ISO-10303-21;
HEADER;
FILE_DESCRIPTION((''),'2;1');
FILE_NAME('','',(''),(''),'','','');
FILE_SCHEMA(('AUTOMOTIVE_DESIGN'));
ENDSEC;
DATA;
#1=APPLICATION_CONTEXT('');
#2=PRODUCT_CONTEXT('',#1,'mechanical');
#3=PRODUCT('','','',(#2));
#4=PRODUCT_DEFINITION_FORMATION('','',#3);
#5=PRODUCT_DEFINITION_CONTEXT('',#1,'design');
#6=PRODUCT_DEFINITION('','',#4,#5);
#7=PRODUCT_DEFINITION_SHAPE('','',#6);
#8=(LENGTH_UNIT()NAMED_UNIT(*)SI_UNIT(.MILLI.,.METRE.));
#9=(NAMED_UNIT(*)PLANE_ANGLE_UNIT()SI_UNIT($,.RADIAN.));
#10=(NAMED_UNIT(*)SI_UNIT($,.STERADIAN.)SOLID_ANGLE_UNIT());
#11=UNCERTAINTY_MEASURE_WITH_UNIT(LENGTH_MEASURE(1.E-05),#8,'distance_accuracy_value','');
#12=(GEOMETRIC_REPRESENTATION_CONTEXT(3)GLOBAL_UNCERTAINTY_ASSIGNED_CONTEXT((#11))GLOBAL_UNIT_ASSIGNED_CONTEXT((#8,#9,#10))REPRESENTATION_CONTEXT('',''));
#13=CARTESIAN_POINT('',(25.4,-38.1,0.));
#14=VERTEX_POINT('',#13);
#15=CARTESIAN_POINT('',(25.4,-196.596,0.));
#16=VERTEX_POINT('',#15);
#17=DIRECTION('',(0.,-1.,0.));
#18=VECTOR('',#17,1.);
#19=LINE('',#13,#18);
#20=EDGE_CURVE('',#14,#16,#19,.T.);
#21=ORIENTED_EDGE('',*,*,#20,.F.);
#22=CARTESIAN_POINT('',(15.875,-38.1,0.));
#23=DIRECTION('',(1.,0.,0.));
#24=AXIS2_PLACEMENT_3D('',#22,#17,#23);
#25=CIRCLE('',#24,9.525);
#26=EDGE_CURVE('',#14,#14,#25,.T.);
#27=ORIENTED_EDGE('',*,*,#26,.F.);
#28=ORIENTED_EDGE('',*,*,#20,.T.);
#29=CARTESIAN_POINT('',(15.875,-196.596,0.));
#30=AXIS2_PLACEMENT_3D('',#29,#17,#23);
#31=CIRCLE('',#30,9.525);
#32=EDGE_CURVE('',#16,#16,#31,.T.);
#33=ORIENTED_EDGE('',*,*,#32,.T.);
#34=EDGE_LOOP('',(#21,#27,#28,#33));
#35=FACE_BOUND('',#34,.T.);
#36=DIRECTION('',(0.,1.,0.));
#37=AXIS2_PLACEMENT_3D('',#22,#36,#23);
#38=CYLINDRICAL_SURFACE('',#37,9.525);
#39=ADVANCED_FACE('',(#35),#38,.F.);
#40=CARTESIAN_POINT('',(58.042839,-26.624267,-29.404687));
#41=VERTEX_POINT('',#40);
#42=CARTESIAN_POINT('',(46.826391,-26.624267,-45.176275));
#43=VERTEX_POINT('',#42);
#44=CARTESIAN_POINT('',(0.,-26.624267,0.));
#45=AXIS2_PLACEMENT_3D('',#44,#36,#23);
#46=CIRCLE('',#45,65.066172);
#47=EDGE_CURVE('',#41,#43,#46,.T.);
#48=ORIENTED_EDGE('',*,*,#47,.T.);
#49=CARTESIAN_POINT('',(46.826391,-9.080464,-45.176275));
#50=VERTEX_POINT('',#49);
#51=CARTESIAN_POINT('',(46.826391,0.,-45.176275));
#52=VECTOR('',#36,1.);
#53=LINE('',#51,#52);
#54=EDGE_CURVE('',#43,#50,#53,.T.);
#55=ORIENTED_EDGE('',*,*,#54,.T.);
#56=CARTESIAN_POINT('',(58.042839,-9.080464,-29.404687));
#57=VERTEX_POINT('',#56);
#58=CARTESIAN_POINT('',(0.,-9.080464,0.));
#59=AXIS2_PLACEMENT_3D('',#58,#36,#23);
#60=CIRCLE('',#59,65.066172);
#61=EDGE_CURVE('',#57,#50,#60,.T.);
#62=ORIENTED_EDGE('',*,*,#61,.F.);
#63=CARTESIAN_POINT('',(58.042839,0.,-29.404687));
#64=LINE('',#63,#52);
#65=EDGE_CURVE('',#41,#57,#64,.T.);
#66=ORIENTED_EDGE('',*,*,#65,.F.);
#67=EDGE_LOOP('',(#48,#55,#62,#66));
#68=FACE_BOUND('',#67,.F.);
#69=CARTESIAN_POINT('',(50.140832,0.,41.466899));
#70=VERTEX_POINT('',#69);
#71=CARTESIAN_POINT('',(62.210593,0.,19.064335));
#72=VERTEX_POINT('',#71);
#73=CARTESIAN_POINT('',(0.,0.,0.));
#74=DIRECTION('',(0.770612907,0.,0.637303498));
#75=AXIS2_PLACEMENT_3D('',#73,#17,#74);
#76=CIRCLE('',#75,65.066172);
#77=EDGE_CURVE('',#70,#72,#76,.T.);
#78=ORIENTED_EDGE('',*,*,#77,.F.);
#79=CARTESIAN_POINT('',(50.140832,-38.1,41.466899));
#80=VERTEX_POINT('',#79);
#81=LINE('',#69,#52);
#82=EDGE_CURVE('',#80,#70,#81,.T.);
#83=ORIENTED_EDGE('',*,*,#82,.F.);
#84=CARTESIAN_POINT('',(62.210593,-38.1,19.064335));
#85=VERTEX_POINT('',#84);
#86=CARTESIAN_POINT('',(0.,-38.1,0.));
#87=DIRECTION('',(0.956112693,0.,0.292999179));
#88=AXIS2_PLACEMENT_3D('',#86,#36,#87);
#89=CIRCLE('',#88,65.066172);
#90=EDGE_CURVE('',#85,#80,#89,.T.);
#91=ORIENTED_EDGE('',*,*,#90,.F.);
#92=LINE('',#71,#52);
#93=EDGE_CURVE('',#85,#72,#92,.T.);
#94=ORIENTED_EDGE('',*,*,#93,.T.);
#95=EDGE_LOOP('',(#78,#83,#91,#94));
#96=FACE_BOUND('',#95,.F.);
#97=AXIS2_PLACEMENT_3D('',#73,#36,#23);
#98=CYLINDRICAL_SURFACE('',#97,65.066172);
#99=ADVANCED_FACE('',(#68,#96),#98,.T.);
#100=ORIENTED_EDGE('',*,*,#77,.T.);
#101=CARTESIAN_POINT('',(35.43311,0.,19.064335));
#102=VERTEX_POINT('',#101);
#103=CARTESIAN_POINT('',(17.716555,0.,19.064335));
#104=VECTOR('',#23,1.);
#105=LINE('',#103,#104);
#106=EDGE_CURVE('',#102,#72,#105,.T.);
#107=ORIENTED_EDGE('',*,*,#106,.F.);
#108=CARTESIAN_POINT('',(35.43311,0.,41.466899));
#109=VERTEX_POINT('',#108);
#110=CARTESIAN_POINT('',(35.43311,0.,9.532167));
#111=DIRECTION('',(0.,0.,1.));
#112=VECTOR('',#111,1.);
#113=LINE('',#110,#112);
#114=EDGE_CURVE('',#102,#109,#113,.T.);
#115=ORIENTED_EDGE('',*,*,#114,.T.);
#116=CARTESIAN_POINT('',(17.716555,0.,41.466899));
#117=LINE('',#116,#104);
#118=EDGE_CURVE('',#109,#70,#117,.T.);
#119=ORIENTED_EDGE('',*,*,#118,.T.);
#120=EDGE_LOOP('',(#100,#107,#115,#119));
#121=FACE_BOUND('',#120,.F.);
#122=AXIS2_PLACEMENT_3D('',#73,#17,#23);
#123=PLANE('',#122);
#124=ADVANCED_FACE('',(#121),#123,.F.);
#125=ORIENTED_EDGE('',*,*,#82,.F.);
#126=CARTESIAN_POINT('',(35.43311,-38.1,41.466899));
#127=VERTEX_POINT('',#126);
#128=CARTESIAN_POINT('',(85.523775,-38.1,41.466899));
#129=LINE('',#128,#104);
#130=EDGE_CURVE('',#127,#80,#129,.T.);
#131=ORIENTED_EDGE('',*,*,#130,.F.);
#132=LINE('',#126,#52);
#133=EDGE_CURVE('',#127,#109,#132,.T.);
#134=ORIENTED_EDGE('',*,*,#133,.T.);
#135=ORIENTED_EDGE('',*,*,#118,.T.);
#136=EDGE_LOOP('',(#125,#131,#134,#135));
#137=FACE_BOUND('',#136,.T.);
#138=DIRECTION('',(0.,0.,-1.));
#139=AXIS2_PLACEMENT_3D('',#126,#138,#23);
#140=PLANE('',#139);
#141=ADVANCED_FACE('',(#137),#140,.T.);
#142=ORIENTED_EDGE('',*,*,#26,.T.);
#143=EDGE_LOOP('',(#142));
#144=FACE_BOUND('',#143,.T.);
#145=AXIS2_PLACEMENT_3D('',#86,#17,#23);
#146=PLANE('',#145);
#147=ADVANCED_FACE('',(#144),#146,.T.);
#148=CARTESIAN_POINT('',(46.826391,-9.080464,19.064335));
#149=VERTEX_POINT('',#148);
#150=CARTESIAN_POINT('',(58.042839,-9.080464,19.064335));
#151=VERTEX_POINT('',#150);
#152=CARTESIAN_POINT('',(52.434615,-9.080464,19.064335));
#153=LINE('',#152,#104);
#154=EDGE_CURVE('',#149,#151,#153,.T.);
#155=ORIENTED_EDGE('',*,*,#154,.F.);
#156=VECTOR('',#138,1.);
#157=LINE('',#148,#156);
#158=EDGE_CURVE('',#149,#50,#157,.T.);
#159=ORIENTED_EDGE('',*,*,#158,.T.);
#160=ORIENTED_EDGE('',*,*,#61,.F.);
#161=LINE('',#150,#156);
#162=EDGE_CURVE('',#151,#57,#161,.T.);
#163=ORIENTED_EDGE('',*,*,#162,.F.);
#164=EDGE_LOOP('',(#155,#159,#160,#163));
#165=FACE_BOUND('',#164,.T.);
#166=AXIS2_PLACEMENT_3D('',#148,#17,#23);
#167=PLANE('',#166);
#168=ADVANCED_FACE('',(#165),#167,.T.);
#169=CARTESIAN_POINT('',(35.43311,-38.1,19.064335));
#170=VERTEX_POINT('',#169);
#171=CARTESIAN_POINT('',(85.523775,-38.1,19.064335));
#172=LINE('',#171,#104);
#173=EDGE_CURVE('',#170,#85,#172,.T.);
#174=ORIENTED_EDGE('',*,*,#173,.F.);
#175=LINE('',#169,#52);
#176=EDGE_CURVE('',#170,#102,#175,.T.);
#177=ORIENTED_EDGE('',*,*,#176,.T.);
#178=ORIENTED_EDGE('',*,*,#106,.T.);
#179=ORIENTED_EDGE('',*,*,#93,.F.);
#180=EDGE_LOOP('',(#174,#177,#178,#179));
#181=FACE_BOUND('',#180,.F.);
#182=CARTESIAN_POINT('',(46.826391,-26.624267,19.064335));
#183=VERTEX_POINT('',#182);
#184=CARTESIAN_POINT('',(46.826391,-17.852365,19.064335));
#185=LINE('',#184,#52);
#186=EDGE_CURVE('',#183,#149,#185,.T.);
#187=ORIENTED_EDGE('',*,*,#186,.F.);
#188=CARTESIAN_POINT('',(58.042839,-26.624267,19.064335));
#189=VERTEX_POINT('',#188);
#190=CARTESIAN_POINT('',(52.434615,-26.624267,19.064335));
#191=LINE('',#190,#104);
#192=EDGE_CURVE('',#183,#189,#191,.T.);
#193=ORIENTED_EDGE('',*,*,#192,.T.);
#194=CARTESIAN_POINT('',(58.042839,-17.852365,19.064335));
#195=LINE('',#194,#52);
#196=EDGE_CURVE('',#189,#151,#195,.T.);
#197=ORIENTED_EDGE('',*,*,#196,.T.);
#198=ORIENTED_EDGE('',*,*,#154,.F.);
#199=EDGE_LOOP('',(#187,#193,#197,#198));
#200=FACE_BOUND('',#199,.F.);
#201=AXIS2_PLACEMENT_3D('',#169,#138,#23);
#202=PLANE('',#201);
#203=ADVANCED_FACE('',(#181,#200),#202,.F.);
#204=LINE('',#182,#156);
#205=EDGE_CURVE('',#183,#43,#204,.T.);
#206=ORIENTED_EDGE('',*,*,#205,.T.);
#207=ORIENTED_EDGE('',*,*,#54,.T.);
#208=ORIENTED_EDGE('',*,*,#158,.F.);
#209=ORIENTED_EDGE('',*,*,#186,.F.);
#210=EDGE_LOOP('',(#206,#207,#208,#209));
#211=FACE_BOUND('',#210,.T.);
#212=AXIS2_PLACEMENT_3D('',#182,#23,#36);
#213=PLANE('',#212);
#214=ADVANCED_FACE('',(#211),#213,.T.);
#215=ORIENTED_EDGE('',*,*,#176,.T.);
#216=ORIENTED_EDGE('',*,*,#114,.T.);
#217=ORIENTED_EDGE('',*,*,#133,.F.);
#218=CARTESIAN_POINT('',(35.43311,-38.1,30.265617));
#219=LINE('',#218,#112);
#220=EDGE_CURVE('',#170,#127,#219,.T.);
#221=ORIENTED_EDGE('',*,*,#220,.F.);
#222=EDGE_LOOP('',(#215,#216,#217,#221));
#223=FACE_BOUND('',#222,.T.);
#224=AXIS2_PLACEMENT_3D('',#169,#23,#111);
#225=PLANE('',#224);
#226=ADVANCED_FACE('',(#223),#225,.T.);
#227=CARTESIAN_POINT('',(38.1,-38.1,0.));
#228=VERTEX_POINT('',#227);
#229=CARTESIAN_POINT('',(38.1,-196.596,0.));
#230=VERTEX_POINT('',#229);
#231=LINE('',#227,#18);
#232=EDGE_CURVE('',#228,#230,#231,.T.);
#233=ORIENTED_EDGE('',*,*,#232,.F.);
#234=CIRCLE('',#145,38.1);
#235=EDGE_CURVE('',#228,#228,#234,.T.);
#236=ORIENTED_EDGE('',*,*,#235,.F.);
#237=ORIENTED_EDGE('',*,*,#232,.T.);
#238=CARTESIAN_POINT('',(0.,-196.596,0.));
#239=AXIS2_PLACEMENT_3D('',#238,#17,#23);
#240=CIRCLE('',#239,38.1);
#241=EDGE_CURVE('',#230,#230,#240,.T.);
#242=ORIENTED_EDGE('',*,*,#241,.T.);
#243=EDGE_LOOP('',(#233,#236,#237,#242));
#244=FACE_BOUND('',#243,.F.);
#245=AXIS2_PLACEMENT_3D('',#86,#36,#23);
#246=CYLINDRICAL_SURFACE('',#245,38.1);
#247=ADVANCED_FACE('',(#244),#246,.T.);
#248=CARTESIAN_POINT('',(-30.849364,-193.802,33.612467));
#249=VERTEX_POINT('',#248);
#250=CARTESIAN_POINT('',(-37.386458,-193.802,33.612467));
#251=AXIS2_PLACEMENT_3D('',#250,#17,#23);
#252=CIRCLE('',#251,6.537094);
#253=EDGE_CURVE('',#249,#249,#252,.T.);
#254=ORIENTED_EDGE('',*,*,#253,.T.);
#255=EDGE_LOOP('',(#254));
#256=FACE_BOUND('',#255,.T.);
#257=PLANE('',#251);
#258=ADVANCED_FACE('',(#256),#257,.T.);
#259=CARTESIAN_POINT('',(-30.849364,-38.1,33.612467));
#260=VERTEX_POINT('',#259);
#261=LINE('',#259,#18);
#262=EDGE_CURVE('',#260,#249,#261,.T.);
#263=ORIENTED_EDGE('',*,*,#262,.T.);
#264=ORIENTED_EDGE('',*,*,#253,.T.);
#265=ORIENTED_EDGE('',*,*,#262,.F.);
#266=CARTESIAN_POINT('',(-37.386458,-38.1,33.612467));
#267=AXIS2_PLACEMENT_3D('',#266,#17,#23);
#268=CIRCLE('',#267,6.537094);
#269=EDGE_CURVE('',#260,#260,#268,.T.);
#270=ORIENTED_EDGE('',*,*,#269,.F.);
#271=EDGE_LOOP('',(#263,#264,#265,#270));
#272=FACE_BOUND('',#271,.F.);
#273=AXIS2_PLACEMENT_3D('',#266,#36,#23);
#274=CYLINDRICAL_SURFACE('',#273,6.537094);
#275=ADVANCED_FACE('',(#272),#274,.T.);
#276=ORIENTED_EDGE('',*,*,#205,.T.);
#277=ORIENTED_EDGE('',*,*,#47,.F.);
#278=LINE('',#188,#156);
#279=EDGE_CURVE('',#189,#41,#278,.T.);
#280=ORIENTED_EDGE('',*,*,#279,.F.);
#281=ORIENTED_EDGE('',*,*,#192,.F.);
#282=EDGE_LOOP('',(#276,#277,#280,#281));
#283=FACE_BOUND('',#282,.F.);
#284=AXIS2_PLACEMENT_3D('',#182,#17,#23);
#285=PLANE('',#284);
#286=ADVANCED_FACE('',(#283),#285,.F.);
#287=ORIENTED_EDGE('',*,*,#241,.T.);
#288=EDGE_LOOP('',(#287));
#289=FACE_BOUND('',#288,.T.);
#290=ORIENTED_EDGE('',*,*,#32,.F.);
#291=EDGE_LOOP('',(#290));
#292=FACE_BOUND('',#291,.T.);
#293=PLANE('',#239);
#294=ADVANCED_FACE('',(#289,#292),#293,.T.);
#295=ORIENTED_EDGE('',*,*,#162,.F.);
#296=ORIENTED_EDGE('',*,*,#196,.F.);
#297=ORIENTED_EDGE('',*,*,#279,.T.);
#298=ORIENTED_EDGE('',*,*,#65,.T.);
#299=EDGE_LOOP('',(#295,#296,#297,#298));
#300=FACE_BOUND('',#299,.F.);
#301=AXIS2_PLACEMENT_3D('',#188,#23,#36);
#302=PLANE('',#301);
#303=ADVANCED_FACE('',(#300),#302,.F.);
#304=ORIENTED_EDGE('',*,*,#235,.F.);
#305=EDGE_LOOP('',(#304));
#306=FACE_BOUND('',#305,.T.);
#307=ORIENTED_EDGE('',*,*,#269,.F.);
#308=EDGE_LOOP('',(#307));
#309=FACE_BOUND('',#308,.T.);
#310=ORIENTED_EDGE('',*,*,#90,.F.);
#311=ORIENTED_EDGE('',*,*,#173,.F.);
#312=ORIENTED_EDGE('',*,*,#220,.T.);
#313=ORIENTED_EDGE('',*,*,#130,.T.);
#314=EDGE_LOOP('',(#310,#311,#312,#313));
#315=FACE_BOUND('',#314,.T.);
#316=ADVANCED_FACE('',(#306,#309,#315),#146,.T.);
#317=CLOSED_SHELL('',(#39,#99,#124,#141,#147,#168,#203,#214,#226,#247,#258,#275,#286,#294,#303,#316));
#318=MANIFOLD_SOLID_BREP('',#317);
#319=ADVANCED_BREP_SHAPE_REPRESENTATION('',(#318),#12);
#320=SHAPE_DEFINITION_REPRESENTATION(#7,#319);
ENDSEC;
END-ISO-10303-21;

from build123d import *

# Parameters (mm, degrees)
F0_R     = 65.066172
F1_DEPTH = 38.1
F2_R     = 38.1
F2_R_2   = 9.525
F3_DEPTH = 158.496
F4_R     = 6.537094
F5_DEPTH = 155.702
F6_W     = 100.18133
F6_H     = 22.402564
F7_DEPTH = 38.101
F8_W     = 11.216447
F8_H     = 17.543803
F9_DEPTH = 84.131507


with BuildPart() as f1:
    # F0 (on Front) → F1 (new body)
    with BuildSketch(Plane.XZ):
        Circle(F0_R)
    extrude(amount=F1_DEPTH)

    # F2 (on face) → F3 (join)
    with BuildSketch(Plane.XZ.offset(38.1)):
        Circle(F2_R)
        with Locations((15.875, 0)):
            Circle(F2_R_2, mode=Mode.SUBTRACT)
    extrude(amount=F3_DEPTH)

    # F4 (on face) → F5 (join)
    with BuildSketch(Plane.XZ.offset(38.1)):
        with Locations((-37.386458, 33.612467)):
            Circle(F4_R)
    extrude(amount=F5_DEPTH)

    # F6 (on face) → F7 (cut, through all)
    with BuildSketch(Plane.XZ.offset(38.1)):
        with Locations((85.523775, 30.265617)):
            Rectangle(F6_W, F6_H)
    extrude(amount=-F7_DEPTH, mode=Mode.SUBTRACT)

    # F8 (on face) → F9 (cut, through all)
    with BuildSketch(Plane.XY.offset(19.064335)):
        with Locations((52.434615, -17.852365)):
            Rectangle(F8_W, F8_H)
    extrude(amount=-F9_DEPTH, mode=Mode.SUBTRACT)


solid = f1.part
